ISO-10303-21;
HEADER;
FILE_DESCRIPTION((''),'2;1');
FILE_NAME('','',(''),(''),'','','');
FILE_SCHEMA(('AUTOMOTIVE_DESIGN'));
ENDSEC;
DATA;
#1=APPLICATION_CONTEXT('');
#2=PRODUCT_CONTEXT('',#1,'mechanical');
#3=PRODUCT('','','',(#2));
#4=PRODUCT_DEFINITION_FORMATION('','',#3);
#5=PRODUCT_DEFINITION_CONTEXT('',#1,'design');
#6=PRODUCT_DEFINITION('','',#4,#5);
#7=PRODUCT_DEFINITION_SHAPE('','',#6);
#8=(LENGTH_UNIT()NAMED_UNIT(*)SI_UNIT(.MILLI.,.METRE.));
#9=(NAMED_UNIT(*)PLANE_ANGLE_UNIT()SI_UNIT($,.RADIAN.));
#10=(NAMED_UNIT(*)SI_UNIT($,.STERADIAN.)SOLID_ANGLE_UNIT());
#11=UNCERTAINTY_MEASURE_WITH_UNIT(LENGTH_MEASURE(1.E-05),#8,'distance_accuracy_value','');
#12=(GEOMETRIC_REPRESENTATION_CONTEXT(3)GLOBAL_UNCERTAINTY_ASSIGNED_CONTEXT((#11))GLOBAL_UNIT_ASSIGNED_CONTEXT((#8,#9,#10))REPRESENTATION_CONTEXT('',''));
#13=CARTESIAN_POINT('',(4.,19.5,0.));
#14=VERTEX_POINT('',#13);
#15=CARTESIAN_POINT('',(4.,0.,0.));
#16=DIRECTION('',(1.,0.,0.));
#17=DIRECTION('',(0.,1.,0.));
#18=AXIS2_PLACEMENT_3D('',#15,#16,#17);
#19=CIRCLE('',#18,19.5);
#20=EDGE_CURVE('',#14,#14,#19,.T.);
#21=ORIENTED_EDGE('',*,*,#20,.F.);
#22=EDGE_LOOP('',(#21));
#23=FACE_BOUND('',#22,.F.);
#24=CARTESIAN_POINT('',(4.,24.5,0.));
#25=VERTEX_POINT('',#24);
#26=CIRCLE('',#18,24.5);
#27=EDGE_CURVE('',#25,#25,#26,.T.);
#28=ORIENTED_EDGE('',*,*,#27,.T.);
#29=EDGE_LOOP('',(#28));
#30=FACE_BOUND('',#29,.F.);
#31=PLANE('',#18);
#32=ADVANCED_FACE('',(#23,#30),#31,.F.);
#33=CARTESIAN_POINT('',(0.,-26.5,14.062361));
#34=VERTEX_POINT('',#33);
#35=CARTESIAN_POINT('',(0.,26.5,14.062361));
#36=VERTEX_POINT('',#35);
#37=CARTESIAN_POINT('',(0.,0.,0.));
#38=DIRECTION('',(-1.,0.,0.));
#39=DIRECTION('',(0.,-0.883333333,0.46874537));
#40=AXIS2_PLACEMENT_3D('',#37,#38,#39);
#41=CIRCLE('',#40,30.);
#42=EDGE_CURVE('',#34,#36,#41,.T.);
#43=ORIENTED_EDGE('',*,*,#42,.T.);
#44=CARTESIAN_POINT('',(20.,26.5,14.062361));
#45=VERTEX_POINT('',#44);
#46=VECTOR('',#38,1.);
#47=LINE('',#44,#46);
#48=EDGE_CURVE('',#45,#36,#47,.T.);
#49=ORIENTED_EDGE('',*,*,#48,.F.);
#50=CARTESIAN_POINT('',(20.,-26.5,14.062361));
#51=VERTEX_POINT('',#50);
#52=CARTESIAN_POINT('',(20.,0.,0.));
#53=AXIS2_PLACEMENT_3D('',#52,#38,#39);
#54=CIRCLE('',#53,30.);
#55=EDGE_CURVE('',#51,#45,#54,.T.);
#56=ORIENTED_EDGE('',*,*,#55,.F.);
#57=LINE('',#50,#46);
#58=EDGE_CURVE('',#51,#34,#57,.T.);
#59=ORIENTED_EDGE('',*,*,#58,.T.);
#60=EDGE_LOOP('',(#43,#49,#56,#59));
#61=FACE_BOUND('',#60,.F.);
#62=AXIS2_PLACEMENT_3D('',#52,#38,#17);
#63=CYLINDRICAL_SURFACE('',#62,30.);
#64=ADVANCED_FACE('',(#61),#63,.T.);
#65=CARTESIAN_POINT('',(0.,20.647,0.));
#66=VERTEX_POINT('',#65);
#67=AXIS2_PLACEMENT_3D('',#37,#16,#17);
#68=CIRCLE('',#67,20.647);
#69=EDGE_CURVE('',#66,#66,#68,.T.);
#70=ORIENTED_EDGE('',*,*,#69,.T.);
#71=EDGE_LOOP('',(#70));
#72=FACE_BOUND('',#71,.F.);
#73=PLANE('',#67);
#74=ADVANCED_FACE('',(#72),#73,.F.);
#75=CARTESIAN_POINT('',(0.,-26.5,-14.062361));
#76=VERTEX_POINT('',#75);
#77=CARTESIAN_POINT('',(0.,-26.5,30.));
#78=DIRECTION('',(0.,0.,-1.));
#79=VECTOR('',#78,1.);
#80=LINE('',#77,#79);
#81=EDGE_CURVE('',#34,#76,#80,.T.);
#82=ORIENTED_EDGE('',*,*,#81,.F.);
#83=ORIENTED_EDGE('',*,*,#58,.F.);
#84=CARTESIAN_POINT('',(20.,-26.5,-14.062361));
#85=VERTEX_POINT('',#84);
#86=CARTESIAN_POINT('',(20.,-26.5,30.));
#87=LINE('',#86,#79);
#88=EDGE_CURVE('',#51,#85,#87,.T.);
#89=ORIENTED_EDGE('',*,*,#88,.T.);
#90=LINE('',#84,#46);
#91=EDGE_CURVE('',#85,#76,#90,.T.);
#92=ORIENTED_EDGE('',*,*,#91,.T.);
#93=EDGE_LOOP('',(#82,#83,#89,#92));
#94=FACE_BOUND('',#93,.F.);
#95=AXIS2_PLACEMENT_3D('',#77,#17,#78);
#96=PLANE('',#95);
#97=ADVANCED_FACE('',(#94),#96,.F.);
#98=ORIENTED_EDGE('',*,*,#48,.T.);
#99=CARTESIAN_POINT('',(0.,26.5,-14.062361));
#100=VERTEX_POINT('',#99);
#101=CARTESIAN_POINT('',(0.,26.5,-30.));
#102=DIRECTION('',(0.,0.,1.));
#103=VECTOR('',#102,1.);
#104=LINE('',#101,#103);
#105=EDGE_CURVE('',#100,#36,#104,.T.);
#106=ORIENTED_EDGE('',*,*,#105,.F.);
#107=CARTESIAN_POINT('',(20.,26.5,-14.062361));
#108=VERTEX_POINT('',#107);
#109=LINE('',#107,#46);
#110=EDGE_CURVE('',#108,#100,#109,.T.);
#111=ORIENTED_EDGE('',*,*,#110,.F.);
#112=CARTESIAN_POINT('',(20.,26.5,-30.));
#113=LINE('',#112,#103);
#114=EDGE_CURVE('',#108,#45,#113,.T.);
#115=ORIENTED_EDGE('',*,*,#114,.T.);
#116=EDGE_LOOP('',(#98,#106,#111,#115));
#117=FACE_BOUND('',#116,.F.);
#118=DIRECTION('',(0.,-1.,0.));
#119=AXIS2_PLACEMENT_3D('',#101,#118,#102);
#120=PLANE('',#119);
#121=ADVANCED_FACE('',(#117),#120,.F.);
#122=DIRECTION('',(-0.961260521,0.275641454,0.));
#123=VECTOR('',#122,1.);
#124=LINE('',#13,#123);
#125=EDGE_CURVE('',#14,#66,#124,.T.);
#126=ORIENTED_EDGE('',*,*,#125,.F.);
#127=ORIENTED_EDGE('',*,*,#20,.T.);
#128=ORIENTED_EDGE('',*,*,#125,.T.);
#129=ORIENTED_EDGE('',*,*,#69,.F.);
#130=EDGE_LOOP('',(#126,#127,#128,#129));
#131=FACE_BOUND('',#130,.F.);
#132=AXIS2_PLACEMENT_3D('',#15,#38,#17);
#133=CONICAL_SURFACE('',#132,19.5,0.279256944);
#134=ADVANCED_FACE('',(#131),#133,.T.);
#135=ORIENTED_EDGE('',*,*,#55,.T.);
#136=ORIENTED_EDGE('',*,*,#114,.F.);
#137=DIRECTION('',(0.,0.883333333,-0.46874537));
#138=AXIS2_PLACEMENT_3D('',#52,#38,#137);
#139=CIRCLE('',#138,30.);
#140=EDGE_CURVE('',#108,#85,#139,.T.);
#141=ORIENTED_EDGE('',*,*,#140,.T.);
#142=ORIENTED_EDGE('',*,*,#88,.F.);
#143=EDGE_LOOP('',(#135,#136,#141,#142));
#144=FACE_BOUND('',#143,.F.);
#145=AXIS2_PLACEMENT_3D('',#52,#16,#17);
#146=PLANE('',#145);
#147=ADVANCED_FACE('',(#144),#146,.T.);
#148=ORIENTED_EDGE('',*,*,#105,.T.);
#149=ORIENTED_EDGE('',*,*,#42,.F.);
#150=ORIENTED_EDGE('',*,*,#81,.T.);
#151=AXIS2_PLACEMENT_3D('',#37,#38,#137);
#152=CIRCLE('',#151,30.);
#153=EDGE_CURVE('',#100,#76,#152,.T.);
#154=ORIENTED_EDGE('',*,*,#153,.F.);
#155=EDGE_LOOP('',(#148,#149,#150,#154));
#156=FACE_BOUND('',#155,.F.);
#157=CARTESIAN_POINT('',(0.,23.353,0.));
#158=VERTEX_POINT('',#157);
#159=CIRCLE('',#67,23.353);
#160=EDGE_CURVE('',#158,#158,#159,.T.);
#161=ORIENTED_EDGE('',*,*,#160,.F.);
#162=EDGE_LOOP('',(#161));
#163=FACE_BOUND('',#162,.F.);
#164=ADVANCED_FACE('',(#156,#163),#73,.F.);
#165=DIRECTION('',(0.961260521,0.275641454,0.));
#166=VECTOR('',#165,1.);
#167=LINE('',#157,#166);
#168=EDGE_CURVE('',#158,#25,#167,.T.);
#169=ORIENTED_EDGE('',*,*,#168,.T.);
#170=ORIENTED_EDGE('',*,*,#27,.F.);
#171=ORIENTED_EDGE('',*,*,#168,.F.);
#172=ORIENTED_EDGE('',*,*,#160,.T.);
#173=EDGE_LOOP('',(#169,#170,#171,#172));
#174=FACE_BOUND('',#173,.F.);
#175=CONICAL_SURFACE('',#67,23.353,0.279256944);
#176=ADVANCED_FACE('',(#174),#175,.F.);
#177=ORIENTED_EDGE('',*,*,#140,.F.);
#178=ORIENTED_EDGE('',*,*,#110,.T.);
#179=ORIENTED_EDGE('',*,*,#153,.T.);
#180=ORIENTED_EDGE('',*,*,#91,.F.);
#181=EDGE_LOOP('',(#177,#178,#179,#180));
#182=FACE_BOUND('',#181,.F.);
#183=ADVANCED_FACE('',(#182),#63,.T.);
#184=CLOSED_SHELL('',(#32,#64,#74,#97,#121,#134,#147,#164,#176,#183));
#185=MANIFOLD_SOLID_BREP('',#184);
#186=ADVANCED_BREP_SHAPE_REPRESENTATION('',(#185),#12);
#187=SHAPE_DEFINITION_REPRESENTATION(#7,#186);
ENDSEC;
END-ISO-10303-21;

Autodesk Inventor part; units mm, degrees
ref_plane "YZ Plane" through (0, 0, 0) normal (1, 0, 0) x (0, 1, 0)
ref_plane "XZ Plane" through (0, 0, 0) normal (0, 1, 0) x (-1, 0, 0)
ref_plane "XY Plane" through (0, 0, 0) normal (0, 0, 1) x (1, 0, 0)
sketch "Эскиз1" plane through (0, 0, 0) normal (0, 0, 1) x (1, 0, 0)
  line L0 (0, 0) -> (20, 0)
  line L1 (20, 0) -> (20, 30)
  line L2 (20, 30) -> (0, 30)
  line L3 (0, 30) -> (0, 0)
  dimension "d0" = 20
  dimension "d1" = 30
revolve "Вращение1" add sketch "Эскиз1" angle 360 about axis through (0, 0, 0) along (1, 0, 0)
sketch "Эскиз2" plane through (0, 0, 0) normal (0, 0, 1) x (1, 0, 0)
  line L0 (0, -30) -> (0, 30) construction
  line L1 (0, 20.647) -> (0, 23.353)
  line L2 (0, 23.353) -> (4, 24.5)
  line L3 (4, 24.5) -> (4, 19.5)
  line L4 (4, 19.5) -> (0, 20.647)
  line L5 (4, 22) -> (0, 22) construction
  line L6 (0, 0) -> (20.0289, 0)
  dimension "d3" = 74
  dimension "d4" = 74
  dimension "d5" = 5
  dimension "d6" = 4
  dimension "d7" = 22
revolve "Вращение2" cut sketch "Эскиз2" angle 360 about axis through (0, 0, 0) along (1, 0, 0)
sketch "Эскиз3" plane through (0, 0, 0) normal (-1, 0, 0) x (0, 0, 1)
  line L0 (-30, -26.5) -> (-30, 26.5)
  line L1 (-30, 26.5) -> (30, 26.5)
  line L2 (30, 26.5) -> (30, -26.5)
  line L3 (30, -26.5) -> (-30, -26.5)
  point P0 (0, 0)
  point P1 (-30, 0)
  point P2 (30, 0)
  point P3 (0, 26.5)
  dimension "d9" = 53
  dimension "d10" = 60
extrude "Выдавливание1" cut sketch "Эскиз3" against normal blind 20 keep common part
properties part number "711117"
